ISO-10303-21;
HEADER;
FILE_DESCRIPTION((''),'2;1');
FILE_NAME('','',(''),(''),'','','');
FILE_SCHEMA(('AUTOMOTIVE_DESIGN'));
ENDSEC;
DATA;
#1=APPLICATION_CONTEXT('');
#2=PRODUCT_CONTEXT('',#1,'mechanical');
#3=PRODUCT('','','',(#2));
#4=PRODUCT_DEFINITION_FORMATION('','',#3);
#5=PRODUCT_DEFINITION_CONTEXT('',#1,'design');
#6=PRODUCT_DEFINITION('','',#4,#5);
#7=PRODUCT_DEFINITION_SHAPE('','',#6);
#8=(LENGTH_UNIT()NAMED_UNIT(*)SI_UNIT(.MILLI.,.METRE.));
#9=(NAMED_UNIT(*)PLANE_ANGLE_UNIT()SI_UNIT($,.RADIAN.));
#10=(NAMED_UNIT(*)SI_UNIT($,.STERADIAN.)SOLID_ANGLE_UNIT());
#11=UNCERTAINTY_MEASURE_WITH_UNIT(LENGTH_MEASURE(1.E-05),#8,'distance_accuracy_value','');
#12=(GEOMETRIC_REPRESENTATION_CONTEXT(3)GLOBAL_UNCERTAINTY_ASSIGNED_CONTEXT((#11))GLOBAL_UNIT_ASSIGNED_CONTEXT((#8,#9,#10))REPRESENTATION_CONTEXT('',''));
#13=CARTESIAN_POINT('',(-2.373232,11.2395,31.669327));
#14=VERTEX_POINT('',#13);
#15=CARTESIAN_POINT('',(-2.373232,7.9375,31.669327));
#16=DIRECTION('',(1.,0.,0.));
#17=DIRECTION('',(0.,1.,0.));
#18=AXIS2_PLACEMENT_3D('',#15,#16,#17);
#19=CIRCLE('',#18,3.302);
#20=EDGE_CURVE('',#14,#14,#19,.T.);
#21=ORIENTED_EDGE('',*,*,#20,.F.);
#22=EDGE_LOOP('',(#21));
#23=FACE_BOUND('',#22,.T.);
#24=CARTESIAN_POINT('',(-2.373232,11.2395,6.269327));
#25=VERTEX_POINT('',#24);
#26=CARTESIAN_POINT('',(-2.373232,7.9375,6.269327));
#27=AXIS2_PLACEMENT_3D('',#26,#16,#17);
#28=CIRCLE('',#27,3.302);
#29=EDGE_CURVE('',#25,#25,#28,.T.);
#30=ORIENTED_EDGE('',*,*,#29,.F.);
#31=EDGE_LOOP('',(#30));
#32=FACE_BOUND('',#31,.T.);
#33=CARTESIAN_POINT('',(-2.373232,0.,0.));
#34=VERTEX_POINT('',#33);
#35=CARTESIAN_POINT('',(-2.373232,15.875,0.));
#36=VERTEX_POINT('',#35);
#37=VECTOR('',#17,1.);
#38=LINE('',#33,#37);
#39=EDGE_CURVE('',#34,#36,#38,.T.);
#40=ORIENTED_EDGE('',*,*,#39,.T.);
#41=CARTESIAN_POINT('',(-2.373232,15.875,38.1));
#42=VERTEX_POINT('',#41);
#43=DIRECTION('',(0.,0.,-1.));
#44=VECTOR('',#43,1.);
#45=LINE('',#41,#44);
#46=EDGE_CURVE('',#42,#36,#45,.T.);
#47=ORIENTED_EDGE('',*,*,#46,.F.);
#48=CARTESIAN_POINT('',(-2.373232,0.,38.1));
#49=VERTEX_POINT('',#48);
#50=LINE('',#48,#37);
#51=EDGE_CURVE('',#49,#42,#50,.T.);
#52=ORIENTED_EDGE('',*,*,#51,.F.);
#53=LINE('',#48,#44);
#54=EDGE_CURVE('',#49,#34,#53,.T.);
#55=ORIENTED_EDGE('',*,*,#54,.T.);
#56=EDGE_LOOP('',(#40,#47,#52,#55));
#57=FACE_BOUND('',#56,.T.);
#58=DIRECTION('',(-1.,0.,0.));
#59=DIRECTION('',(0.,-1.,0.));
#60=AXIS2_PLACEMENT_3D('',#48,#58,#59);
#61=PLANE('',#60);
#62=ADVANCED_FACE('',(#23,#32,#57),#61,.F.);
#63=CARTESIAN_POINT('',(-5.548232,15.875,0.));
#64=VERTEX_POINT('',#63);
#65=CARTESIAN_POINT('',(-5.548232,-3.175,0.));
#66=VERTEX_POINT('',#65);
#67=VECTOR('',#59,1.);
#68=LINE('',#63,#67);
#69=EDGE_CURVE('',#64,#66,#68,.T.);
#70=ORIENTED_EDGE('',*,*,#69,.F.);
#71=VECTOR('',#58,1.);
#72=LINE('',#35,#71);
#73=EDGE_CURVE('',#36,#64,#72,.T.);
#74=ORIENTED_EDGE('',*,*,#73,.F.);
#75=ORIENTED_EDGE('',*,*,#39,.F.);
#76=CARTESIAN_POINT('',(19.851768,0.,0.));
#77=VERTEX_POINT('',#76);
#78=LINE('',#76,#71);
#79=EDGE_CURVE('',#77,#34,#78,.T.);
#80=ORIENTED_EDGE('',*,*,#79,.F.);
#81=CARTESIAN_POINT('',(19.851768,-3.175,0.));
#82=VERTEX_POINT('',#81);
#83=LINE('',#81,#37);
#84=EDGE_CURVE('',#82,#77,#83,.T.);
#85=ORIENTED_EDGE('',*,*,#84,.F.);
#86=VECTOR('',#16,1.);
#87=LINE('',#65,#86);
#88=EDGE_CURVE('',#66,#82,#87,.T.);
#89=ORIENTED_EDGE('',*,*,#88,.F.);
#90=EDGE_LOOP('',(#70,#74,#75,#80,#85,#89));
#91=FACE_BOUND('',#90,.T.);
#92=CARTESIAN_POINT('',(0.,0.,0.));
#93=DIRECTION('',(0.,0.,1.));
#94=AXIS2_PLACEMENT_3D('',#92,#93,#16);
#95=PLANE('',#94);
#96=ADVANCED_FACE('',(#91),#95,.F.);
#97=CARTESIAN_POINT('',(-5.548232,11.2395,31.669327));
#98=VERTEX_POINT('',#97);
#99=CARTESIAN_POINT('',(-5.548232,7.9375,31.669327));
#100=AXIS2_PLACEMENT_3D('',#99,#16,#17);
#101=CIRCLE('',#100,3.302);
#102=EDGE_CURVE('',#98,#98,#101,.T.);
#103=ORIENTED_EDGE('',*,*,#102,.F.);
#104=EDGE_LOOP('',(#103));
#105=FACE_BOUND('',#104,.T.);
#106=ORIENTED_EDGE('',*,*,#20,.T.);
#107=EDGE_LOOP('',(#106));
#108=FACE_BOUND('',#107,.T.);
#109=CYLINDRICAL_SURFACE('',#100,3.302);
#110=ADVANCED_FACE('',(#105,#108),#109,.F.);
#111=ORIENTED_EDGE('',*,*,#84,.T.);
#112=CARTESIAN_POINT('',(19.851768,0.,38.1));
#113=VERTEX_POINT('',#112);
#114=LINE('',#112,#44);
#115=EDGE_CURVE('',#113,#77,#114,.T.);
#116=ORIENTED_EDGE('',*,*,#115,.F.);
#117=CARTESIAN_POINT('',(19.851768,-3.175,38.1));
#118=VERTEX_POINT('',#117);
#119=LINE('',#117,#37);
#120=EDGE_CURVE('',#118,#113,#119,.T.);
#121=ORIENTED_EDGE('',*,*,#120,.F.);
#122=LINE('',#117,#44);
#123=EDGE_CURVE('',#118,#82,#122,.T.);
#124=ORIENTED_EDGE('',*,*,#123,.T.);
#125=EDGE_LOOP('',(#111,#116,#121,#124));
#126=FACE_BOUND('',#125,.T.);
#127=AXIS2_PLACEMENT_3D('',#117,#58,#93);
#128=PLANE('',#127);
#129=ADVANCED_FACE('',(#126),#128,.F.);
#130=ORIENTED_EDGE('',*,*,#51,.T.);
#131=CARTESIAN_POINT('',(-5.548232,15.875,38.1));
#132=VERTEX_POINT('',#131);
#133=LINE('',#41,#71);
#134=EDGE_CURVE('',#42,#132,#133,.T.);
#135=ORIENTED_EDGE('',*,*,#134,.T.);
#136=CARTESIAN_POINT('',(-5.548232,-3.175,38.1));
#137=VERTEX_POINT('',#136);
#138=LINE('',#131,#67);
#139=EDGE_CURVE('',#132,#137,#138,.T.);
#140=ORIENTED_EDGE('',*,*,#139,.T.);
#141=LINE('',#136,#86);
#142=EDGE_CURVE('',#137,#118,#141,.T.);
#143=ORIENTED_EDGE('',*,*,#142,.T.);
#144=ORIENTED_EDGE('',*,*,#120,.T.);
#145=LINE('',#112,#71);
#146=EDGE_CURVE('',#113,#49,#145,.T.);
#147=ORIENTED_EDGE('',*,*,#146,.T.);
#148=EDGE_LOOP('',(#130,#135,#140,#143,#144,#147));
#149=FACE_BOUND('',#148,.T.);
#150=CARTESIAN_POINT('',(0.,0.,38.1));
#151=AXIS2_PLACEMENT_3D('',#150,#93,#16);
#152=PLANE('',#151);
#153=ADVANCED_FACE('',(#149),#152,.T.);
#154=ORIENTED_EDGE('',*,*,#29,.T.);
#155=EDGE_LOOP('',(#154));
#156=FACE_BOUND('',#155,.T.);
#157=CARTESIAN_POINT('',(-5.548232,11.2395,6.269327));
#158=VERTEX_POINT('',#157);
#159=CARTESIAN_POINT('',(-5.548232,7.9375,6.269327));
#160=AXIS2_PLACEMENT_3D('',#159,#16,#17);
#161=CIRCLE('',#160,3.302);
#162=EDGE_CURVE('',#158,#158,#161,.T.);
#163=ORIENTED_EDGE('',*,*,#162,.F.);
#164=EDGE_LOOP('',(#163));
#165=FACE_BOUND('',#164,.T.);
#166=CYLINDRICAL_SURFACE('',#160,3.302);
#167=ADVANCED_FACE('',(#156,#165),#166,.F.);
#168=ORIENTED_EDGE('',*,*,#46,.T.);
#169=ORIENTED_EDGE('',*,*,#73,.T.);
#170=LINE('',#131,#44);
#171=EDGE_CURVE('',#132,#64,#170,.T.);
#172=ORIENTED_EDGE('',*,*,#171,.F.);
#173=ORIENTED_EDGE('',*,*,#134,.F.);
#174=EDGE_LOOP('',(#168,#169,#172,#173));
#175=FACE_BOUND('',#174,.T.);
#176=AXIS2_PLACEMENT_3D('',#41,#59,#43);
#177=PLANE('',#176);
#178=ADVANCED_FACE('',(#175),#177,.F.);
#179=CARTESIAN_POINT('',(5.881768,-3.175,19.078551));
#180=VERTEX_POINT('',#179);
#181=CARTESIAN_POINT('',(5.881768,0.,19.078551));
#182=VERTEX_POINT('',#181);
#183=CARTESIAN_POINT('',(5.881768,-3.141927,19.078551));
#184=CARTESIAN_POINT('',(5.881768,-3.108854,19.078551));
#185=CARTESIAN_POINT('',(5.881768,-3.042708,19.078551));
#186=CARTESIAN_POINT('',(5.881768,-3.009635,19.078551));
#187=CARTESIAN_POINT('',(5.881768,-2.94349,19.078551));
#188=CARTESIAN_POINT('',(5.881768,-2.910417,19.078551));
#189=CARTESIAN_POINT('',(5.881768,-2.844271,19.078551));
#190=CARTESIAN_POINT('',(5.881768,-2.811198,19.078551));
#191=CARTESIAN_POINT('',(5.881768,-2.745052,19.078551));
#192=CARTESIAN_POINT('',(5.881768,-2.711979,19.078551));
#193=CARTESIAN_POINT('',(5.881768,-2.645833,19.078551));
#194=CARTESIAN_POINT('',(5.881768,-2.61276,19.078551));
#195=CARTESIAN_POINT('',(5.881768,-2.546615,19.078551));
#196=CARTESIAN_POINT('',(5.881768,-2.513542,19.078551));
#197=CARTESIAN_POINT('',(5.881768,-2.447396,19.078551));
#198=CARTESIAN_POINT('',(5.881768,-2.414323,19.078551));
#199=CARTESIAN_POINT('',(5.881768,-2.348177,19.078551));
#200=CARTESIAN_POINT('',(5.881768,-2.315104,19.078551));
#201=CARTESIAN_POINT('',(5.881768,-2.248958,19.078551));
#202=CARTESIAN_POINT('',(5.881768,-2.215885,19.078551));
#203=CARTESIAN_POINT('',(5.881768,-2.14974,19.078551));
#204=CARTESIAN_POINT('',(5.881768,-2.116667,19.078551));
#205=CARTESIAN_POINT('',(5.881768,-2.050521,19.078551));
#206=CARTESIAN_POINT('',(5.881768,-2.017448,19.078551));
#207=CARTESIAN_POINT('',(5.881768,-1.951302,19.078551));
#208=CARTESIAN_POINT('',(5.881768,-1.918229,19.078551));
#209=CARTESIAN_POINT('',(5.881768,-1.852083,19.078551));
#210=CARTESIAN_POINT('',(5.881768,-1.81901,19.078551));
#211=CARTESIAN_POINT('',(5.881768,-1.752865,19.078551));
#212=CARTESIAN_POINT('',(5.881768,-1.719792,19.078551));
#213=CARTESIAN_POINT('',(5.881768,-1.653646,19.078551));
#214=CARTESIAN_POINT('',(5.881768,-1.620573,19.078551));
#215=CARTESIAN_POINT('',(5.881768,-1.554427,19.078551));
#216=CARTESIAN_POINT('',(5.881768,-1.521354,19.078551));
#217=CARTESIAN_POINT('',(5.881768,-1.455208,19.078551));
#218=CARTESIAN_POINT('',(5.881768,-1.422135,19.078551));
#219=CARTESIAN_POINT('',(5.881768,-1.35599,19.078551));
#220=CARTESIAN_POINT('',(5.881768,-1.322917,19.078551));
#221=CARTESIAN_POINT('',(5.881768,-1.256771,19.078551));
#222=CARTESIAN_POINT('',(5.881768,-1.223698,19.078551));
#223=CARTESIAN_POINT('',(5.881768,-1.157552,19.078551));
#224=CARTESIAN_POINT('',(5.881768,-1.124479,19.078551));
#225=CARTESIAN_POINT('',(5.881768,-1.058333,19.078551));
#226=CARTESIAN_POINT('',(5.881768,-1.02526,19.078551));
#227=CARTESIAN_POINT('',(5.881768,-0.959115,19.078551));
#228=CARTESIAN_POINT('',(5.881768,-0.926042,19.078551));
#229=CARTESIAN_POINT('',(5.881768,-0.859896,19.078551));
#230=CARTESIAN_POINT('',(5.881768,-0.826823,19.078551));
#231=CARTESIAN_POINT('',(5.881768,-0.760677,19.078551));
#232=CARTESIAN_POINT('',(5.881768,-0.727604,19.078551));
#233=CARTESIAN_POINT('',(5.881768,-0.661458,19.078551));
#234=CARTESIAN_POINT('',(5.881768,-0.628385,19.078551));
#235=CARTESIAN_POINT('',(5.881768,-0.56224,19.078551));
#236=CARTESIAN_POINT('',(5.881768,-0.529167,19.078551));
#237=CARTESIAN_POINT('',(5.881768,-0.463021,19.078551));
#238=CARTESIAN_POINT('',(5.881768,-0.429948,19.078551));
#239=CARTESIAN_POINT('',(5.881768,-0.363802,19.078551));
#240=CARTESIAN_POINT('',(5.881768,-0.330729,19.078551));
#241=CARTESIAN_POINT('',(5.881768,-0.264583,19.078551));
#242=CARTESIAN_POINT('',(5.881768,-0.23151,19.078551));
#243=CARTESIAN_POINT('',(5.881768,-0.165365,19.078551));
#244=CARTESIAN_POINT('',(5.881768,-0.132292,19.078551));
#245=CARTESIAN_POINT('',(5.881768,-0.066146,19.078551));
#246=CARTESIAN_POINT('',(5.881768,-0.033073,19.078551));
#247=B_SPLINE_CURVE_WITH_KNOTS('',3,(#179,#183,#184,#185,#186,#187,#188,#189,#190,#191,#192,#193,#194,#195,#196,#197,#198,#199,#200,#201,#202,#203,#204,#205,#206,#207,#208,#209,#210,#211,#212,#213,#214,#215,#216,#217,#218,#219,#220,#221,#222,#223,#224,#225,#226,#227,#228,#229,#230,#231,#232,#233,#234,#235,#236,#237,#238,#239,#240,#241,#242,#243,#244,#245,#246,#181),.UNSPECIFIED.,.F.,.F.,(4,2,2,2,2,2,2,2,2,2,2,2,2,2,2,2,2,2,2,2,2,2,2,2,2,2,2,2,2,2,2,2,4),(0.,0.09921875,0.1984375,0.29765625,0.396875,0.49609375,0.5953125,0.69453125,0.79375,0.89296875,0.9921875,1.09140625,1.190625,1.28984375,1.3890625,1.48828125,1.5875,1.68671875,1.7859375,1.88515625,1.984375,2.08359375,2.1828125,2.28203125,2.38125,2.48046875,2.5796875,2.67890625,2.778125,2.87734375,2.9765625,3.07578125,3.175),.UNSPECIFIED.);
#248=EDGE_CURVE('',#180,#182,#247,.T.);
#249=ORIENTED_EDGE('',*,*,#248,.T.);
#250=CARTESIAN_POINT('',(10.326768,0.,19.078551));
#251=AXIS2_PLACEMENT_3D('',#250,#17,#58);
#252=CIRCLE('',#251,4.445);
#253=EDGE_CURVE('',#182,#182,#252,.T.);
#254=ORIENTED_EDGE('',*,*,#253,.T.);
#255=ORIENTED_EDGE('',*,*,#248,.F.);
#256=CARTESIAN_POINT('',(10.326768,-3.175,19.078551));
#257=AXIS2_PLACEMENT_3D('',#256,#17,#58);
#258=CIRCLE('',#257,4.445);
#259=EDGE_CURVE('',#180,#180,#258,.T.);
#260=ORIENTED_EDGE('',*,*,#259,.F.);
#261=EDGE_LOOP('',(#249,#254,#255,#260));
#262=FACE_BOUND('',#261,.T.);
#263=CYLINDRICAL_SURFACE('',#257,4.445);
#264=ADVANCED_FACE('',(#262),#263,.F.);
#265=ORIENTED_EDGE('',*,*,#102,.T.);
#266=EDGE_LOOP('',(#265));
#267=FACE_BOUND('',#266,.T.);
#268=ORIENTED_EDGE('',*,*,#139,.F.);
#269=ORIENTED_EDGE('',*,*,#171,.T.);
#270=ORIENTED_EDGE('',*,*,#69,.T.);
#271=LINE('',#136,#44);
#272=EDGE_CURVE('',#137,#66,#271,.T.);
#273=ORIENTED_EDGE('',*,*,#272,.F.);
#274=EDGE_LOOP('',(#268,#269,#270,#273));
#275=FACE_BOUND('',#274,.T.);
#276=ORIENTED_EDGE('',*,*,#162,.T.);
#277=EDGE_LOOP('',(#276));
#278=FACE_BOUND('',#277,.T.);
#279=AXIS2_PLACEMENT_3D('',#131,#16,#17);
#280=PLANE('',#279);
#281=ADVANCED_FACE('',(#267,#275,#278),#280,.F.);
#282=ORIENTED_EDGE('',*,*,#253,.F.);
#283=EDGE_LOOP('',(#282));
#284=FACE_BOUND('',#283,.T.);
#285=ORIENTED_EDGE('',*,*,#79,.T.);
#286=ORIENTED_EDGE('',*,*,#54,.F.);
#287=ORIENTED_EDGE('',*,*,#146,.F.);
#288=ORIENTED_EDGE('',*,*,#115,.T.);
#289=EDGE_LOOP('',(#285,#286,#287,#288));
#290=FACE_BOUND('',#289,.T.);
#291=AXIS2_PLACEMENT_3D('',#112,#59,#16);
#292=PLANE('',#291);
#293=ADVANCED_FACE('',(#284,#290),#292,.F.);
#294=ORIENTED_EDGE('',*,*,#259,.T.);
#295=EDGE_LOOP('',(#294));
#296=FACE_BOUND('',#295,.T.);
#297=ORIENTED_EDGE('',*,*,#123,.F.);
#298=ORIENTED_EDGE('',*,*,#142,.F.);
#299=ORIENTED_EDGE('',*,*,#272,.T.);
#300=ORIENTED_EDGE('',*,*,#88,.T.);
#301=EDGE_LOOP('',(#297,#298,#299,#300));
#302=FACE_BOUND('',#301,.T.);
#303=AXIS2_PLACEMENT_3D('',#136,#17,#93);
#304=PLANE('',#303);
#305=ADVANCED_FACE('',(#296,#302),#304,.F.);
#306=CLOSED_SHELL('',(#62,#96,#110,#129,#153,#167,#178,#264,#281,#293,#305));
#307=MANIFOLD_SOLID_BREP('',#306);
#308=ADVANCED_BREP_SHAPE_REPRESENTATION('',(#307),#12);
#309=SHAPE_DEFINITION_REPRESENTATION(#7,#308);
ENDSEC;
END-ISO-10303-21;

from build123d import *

# Parameters (mm, degrees)
BOSS_EXTRUDE2_DEPTH     = 38.1
CUT_EXTRUDE1_DEPTH      = 46.800854849
CUT_EXTRUDE1_DEPTH_BACK = 46.800854849
SKETCH2_R               = 4.445
CUT_EXTRUDE3_DEPTH      = 47.878313216
CUT_EXTRUDE3_DEPTH_BACK = 47.878313216
SKETCH3_R               = 3.302


with BuildPart() as part:
    # Sketch1 → Boss-Extrude2 (new body)
    with BuildSketch(Plane.XY):
        Polygon((-5.548232323, 15.875), (-5.548232323, -3.175), (19.851767677, -3.175), (19.851767677, 0), (-2.373232323, 0), (-2.373232323, 15.875), align=None)
    extrude(amount=BOSS_EXTRUDE2_DEPTH)

    # Sketch2 → Cut-Extrude1 (cut, two sides: drawn at the far end of the back side and taken through both)
    with BuildSketch(Plane(origin=(0, 0, 0), x_dir=(1, 0, 0), z_dir=(0, 1, 0)).offset(-CUT_EXTRUDE1_DEPTH_BACK)):
        with Locations(Location((10.326767677, -19.078550513, 0), (0, 0, 180))):
            Circle(SKETCH2_R)
    extrude(amount=CUT_EXTRUDE1_DEPTH + CUT_EXTRUDE1_DEPTH_BACK, mode=Mode.SUBTRACT)

    # Sketch3 → Cut-Extrude3 (cut, two sides: drawn at the far end of the back side and taken through both)
    with BuildSketch(Plane(origin=(-2.373232323, 0, 0), x_dir=(0, 0, -1), z_dir=(1, 0, 0)).offset(-CUT_EXTRUDE3_DEPTH_BACK)):
        with Locations(Location((-6.269326955, 7.9375, 0), (0, 0, 90))):
            Circle(SKETCH3_R)
        with Locations(Location((-31.669326955, 7.9375, 0), (0, 0, 90))):
            Circle(SKETCH3_R)
    extrude(amount=CUT_EXTRUDE3_DEPTH + CUT_EXTRUDE3_DEPTH_BACK, mode=Mode.SUBTRACT)


solid = part.part
